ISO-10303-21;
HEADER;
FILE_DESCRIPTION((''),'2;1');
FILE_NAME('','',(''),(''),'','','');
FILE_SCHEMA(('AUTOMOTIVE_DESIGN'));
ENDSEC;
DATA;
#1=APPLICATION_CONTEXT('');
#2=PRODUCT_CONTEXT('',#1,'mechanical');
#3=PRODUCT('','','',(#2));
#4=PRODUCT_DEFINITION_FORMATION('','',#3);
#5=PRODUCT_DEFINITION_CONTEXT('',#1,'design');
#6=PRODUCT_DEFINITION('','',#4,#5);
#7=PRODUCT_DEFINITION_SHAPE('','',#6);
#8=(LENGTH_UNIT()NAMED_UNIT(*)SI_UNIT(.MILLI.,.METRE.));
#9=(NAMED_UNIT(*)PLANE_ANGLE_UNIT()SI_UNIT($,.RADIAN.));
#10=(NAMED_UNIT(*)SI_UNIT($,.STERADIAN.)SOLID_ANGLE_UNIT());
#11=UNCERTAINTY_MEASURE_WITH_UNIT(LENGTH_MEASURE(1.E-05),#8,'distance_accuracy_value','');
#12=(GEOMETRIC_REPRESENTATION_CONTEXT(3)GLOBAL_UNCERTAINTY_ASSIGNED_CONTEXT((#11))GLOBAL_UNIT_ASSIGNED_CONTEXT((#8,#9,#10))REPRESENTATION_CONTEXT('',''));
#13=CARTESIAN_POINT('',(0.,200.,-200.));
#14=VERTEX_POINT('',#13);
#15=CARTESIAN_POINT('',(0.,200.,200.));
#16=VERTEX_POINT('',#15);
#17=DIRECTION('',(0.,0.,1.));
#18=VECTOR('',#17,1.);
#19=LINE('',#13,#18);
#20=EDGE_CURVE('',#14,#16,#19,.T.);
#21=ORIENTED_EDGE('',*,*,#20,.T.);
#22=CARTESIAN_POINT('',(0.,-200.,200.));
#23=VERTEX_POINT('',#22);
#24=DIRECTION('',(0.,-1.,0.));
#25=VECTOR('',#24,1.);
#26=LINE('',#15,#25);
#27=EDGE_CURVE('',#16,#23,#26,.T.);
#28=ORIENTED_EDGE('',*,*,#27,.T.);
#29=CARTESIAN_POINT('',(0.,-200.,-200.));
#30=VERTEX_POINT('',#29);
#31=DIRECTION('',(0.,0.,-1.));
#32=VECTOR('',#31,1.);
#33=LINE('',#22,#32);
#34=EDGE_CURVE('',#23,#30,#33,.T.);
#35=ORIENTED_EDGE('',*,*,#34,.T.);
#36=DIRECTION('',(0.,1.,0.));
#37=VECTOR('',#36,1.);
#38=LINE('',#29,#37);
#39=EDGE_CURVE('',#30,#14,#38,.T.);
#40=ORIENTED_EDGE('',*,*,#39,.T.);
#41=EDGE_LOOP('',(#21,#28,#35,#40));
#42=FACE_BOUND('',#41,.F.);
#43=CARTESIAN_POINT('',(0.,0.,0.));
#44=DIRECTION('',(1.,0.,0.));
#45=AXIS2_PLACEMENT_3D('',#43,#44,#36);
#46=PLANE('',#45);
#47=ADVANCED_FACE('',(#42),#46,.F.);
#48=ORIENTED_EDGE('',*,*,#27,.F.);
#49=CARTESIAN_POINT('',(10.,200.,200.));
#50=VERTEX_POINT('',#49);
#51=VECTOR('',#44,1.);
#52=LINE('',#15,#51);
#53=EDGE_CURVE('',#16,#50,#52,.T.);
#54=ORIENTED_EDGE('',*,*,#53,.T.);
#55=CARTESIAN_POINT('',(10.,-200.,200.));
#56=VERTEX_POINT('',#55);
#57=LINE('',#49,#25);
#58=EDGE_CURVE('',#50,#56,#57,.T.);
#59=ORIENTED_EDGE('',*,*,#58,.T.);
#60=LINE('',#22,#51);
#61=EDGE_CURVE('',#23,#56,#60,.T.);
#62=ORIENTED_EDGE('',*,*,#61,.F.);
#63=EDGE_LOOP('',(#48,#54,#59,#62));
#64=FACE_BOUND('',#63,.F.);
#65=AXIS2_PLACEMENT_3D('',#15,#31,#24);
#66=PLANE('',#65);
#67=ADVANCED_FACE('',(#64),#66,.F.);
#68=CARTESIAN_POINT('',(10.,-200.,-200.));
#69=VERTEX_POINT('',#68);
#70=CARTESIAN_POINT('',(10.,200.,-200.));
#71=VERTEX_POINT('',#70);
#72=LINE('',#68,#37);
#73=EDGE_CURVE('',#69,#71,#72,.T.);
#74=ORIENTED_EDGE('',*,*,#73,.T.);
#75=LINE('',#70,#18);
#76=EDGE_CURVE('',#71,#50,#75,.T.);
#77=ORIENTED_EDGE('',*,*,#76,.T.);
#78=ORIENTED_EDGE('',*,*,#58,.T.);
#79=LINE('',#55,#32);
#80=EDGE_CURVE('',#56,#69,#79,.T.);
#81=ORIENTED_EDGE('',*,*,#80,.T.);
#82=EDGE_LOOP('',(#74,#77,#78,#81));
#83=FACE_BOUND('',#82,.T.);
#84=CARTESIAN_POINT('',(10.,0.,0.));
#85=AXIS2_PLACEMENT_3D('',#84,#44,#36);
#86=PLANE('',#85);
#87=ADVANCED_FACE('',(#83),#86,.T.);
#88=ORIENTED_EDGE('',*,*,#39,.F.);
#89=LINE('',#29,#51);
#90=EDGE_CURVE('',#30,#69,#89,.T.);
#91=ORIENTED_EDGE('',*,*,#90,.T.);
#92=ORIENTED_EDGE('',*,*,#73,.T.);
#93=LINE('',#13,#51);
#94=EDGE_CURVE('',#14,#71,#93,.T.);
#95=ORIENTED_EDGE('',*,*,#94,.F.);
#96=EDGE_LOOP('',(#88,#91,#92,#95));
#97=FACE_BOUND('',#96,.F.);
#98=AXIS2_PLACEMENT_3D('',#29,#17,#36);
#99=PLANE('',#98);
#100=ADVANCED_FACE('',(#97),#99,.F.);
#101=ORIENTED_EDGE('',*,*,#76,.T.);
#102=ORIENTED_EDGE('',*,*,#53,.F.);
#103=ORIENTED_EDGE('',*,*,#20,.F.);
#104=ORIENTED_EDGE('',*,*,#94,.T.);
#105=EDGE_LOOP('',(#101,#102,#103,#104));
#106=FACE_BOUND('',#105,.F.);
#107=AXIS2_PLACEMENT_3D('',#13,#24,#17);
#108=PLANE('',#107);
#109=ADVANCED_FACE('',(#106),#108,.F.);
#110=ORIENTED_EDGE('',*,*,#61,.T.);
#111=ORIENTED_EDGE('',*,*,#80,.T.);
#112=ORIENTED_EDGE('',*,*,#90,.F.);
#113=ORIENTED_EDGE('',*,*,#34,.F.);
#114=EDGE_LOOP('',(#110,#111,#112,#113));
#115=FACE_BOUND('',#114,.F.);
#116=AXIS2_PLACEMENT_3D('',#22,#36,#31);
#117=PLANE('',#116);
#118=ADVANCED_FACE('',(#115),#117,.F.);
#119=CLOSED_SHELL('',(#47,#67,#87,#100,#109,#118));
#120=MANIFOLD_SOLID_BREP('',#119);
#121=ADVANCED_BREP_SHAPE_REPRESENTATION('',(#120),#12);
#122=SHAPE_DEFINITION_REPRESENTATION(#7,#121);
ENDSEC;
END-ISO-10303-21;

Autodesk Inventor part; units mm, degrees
ref_plane "YZ Plane" through (0, 0, 0) normal (1, 0, 0) x (0, 1, 0)
ref_plane "XZ Plane" through (0, 0, 0) normal (0, 1, 0) x (-1, 0, 0)
ref_plane "XY Plane" through (0, 0, 0) normal (0, 0, 1) x (1, 0, 0)
sketch "Sketch1" plane through (0, 0, 0) normal (1, 0, 0) x (0, 1, 0)
  line L0 (200, 200) -> (-200, 200)
  line L1 (-200, 200) -> (-200, -200)
  line L2 (-200, -200) -> (200, -200)
  line L3 (200, -200) -> (200, 200)
  line L4 (200, 200) -> (-200, -200) construction
  line L5 (-200, 200) -> (200, -200) construction
  point P0 (0, 0)
  dimension "d0" = 400
  dimension "d1" = 400
extrude "Extrusion1" add sketch "Sketch1" along normal blind 10
properties part number "Base"
